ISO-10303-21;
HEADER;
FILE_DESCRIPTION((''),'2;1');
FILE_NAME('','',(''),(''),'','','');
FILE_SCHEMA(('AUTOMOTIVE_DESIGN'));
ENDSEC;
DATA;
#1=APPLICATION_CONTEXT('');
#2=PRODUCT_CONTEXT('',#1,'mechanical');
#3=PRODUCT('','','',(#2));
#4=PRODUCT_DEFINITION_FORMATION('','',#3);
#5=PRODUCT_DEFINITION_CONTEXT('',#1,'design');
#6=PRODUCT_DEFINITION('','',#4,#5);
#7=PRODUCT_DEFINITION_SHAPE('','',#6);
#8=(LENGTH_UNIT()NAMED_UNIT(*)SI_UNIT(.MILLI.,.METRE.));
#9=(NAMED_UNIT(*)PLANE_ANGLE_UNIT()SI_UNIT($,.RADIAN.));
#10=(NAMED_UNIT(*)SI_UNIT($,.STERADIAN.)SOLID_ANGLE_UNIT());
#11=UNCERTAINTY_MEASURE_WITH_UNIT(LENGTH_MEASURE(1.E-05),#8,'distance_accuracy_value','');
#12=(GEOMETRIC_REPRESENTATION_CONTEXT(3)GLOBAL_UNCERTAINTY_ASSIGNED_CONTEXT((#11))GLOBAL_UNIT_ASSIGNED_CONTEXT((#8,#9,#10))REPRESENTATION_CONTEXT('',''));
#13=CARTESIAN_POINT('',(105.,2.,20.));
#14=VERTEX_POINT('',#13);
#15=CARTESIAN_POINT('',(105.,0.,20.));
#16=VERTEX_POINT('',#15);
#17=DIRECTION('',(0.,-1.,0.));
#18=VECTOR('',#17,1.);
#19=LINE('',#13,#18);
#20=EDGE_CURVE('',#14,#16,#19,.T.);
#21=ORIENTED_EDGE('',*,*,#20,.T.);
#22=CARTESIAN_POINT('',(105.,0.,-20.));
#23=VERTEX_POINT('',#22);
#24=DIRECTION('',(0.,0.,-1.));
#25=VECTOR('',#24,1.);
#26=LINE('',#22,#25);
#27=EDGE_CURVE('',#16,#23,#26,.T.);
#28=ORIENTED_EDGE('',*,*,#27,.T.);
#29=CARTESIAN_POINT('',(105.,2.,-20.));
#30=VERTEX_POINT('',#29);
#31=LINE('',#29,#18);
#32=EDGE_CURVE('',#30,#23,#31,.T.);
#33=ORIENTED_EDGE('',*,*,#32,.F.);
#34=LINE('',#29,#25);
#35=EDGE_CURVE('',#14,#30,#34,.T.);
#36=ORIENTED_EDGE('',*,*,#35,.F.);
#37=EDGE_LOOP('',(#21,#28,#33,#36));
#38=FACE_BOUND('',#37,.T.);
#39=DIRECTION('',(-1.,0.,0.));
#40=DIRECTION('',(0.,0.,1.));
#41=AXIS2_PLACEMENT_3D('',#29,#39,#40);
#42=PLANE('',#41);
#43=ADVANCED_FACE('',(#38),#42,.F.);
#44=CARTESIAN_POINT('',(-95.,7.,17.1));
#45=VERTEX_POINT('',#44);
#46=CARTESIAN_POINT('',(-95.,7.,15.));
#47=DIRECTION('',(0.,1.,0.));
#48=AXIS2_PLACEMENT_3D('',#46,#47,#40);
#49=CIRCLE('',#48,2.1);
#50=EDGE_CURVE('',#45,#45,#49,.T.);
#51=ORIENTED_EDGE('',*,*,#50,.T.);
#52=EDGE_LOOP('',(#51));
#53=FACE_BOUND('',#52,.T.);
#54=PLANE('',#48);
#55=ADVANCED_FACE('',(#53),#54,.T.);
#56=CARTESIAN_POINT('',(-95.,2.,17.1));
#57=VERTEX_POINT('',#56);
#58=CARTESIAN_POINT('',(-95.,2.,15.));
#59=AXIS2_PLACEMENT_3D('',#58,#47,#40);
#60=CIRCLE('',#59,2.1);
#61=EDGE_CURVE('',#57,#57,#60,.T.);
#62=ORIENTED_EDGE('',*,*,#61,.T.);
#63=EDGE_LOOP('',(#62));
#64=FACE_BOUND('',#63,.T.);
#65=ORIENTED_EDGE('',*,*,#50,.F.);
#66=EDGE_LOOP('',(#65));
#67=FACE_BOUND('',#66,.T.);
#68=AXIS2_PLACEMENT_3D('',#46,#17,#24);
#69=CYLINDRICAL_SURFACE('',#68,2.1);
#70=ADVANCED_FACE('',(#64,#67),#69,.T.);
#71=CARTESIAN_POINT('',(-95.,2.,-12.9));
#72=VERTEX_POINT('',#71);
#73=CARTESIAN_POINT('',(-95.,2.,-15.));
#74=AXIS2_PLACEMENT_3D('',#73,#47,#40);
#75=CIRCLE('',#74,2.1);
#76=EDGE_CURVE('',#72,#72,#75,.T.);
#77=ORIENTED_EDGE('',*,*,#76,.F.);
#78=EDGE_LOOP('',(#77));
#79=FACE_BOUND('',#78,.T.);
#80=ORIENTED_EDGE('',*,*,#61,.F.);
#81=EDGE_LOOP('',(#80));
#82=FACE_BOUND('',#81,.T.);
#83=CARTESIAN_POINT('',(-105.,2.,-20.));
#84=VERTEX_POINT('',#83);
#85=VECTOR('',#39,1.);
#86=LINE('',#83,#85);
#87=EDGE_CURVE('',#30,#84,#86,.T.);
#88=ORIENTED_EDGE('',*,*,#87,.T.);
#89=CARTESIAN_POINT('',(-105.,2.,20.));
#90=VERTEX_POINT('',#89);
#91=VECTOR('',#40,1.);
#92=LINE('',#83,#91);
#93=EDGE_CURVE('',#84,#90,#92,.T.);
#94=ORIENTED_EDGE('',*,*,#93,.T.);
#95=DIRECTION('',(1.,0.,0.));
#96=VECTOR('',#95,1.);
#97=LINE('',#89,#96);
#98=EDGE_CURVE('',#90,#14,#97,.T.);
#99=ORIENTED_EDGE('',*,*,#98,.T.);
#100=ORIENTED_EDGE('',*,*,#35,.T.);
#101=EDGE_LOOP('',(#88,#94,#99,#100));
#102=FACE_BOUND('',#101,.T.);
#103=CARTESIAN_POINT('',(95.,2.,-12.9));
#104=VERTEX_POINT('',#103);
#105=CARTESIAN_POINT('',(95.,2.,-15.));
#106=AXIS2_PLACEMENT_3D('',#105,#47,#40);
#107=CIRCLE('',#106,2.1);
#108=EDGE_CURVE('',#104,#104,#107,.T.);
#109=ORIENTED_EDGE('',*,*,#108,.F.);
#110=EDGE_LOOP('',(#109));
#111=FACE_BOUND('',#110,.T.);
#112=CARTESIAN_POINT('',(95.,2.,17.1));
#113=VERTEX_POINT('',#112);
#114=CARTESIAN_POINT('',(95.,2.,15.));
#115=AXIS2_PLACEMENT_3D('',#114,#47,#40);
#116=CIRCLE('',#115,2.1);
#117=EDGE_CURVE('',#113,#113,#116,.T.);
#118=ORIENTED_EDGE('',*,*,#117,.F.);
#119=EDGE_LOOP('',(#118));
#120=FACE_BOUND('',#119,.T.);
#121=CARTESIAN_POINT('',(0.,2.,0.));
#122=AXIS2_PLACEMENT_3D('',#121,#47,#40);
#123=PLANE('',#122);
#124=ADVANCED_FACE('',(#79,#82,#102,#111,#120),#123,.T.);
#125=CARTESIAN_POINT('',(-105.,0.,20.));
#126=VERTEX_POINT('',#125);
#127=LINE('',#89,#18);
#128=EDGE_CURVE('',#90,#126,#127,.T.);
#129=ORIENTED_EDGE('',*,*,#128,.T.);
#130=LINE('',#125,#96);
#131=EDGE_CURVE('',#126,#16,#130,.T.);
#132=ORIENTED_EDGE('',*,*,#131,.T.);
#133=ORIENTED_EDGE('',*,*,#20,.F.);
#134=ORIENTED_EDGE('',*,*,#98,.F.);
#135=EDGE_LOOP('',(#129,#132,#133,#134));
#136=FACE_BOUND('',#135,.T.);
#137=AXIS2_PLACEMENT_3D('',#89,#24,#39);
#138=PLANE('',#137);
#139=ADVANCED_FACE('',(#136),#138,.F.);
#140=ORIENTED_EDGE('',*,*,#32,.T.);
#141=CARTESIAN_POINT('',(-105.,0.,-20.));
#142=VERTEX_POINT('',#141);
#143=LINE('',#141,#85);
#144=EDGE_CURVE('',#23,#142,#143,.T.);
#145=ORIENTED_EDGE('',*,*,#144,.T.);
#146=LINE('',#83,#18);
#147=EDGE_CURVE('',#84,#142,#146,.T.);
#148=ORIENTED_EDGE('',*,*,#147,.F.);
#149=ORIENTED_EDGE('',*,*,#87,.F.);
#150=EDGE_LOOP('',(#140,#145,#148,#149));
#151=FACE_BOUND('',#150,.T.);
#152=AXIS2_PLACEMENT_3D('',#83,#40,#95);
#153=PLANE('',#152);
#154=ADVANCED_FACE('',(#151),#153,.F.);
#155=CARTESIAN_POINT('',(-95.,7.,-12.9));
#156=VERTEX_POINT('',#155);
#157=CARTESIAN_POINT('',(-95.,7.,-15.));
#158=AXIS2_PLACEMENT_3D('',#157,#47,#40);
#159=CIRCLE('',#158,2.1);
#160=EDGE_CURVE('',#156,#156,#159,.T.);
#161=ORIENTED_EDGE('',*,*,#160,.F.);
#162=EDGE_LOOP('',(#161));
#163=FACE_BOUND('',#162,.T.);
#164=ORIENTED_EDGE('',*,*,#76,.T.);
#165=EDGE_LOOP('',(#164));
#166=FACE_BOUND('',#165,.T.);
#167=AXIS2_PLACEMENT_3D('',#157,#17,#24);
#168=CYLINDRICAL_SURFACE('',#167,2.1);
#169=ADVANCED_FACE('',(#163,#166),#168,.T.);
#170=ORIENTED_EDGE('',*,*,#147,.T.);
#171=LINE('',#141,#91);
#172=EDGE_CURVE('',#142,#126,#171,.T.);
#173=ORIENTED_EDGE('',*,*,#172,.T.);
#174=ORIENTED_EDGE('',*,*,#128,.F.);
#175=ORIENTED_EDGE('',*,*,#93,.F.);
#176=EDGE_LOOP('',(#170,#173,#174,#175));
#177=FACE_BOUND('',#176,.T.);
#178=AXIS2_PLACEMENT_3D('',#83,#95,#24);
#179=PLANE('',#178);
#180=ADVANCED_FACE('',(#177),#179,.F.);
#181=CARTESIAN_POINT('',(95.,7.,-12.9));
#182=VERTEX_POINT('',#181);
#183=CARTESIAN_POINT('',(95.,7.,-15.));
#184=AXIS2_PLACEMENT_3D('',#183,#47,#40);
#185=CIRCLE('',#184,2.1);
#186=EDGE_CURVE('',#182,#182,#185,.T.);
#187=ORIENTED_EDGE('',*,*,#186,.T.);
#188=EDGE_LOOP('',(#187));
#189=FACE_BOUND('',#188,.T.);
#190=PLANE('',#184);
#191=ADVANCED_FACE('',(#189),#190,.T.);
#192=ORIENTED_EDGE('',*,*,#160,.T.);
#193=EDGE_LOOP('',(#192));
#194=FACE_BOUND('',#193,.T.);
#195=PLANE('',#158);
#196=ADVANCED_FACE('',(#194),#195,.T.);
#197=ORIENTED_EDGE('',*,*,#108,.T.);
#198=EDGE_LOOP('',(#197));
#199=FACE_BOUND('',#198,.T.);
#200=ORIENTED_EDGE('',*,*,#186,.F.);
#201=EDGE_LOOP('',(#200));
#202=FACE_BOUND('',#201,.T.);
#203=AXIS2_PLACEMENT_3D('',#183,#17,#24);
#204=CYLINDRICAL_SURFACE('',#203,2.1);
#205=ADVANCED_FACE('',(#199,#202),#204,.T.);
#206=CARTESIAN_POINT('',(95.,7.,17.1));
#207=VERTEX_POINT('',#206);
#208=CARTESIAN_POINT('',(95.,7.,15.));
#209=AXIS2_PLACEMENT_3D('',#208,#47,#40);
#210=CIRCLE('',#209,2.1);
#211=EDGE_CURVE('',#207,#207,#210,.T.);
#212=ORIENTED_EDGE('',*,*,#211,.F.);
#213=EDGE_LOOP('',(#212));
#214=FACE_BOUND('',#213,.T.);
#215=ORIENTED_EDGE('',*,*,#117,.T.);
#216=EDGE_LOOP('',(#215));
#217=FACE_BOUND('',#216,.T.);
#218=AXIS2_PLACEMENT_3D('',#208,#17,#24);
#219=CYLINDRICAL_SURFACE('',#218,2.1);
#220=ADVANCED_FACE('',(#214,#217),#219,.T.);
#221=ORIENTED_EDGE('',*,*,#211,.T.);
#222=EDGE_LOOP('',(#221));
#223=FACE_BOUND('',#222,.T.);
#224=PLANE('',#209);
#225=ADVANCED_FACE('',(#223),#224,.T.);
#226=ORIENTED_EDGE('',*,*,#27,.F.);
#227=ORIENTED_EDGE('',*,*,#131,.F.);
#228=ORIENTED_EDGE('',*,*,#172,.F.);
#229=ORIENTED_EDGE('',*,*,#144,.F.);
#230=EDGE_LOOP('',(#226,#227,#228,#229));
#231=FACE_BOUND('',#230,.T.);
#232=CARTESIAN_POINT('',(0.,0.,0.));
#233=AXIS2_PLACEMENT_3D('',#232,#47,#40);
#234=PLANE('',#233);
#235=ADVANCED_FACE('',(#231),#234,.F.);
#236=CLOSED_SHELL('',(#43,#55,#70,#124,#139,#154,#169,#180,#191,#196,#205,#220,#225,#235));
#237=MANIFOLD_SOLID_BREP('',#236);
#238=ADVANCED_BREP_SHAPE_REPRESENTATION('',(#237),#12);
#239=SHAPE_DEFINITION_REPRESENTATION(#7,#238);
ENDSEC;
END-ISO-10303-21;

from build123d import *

# Parameters (mm, degrees)
SKETCH_1_W      = 210
SKETCH_1_H      = 40
EXTRUDE_1_DEPTH = 2
SKETCH_2_R      = 2.1
EXTRUDE_2_DEPTH = 5


with BuildPart() as part:
    # 草图1 → 凸台-拉伸1 (new body)
    with BuildSketch(Plane(origin=(0, 0, 0), x_dir=(1, 0, 0), z_dir=(0, 1, 0))):
        Rectangle(SKETCH_1_W, SKETCH_1_H)
    extrude(amount=EXTRUDE_1_DEPTH)

    # 草图2 → 凸台-拉伸2 (add)
    with BuildSketch(Plane(origin=(0, 2, 0), x_dir=(1, 0, 0), z_dir=(0, 1, 0))):
        with Locations(Location((95, -15, 0), (0, 0, 270))):
            Circle(SKETCH_2_R)
        with Locations(Location((95, 15, 0), (0, 0, 270))):
            Circle(SKETCH_2_R)
        with Locations(Location((-95, 15, 0), (0, 0, 270))):
            Circle(SKETCH_2_R)
        with Locations(Location((-95, -15, 0), (0, 0, 270))):
            Circle(SKETCH_2_R)
    extrude(amount=EXTRUDE_2_DEPTH)


solid = part.part
